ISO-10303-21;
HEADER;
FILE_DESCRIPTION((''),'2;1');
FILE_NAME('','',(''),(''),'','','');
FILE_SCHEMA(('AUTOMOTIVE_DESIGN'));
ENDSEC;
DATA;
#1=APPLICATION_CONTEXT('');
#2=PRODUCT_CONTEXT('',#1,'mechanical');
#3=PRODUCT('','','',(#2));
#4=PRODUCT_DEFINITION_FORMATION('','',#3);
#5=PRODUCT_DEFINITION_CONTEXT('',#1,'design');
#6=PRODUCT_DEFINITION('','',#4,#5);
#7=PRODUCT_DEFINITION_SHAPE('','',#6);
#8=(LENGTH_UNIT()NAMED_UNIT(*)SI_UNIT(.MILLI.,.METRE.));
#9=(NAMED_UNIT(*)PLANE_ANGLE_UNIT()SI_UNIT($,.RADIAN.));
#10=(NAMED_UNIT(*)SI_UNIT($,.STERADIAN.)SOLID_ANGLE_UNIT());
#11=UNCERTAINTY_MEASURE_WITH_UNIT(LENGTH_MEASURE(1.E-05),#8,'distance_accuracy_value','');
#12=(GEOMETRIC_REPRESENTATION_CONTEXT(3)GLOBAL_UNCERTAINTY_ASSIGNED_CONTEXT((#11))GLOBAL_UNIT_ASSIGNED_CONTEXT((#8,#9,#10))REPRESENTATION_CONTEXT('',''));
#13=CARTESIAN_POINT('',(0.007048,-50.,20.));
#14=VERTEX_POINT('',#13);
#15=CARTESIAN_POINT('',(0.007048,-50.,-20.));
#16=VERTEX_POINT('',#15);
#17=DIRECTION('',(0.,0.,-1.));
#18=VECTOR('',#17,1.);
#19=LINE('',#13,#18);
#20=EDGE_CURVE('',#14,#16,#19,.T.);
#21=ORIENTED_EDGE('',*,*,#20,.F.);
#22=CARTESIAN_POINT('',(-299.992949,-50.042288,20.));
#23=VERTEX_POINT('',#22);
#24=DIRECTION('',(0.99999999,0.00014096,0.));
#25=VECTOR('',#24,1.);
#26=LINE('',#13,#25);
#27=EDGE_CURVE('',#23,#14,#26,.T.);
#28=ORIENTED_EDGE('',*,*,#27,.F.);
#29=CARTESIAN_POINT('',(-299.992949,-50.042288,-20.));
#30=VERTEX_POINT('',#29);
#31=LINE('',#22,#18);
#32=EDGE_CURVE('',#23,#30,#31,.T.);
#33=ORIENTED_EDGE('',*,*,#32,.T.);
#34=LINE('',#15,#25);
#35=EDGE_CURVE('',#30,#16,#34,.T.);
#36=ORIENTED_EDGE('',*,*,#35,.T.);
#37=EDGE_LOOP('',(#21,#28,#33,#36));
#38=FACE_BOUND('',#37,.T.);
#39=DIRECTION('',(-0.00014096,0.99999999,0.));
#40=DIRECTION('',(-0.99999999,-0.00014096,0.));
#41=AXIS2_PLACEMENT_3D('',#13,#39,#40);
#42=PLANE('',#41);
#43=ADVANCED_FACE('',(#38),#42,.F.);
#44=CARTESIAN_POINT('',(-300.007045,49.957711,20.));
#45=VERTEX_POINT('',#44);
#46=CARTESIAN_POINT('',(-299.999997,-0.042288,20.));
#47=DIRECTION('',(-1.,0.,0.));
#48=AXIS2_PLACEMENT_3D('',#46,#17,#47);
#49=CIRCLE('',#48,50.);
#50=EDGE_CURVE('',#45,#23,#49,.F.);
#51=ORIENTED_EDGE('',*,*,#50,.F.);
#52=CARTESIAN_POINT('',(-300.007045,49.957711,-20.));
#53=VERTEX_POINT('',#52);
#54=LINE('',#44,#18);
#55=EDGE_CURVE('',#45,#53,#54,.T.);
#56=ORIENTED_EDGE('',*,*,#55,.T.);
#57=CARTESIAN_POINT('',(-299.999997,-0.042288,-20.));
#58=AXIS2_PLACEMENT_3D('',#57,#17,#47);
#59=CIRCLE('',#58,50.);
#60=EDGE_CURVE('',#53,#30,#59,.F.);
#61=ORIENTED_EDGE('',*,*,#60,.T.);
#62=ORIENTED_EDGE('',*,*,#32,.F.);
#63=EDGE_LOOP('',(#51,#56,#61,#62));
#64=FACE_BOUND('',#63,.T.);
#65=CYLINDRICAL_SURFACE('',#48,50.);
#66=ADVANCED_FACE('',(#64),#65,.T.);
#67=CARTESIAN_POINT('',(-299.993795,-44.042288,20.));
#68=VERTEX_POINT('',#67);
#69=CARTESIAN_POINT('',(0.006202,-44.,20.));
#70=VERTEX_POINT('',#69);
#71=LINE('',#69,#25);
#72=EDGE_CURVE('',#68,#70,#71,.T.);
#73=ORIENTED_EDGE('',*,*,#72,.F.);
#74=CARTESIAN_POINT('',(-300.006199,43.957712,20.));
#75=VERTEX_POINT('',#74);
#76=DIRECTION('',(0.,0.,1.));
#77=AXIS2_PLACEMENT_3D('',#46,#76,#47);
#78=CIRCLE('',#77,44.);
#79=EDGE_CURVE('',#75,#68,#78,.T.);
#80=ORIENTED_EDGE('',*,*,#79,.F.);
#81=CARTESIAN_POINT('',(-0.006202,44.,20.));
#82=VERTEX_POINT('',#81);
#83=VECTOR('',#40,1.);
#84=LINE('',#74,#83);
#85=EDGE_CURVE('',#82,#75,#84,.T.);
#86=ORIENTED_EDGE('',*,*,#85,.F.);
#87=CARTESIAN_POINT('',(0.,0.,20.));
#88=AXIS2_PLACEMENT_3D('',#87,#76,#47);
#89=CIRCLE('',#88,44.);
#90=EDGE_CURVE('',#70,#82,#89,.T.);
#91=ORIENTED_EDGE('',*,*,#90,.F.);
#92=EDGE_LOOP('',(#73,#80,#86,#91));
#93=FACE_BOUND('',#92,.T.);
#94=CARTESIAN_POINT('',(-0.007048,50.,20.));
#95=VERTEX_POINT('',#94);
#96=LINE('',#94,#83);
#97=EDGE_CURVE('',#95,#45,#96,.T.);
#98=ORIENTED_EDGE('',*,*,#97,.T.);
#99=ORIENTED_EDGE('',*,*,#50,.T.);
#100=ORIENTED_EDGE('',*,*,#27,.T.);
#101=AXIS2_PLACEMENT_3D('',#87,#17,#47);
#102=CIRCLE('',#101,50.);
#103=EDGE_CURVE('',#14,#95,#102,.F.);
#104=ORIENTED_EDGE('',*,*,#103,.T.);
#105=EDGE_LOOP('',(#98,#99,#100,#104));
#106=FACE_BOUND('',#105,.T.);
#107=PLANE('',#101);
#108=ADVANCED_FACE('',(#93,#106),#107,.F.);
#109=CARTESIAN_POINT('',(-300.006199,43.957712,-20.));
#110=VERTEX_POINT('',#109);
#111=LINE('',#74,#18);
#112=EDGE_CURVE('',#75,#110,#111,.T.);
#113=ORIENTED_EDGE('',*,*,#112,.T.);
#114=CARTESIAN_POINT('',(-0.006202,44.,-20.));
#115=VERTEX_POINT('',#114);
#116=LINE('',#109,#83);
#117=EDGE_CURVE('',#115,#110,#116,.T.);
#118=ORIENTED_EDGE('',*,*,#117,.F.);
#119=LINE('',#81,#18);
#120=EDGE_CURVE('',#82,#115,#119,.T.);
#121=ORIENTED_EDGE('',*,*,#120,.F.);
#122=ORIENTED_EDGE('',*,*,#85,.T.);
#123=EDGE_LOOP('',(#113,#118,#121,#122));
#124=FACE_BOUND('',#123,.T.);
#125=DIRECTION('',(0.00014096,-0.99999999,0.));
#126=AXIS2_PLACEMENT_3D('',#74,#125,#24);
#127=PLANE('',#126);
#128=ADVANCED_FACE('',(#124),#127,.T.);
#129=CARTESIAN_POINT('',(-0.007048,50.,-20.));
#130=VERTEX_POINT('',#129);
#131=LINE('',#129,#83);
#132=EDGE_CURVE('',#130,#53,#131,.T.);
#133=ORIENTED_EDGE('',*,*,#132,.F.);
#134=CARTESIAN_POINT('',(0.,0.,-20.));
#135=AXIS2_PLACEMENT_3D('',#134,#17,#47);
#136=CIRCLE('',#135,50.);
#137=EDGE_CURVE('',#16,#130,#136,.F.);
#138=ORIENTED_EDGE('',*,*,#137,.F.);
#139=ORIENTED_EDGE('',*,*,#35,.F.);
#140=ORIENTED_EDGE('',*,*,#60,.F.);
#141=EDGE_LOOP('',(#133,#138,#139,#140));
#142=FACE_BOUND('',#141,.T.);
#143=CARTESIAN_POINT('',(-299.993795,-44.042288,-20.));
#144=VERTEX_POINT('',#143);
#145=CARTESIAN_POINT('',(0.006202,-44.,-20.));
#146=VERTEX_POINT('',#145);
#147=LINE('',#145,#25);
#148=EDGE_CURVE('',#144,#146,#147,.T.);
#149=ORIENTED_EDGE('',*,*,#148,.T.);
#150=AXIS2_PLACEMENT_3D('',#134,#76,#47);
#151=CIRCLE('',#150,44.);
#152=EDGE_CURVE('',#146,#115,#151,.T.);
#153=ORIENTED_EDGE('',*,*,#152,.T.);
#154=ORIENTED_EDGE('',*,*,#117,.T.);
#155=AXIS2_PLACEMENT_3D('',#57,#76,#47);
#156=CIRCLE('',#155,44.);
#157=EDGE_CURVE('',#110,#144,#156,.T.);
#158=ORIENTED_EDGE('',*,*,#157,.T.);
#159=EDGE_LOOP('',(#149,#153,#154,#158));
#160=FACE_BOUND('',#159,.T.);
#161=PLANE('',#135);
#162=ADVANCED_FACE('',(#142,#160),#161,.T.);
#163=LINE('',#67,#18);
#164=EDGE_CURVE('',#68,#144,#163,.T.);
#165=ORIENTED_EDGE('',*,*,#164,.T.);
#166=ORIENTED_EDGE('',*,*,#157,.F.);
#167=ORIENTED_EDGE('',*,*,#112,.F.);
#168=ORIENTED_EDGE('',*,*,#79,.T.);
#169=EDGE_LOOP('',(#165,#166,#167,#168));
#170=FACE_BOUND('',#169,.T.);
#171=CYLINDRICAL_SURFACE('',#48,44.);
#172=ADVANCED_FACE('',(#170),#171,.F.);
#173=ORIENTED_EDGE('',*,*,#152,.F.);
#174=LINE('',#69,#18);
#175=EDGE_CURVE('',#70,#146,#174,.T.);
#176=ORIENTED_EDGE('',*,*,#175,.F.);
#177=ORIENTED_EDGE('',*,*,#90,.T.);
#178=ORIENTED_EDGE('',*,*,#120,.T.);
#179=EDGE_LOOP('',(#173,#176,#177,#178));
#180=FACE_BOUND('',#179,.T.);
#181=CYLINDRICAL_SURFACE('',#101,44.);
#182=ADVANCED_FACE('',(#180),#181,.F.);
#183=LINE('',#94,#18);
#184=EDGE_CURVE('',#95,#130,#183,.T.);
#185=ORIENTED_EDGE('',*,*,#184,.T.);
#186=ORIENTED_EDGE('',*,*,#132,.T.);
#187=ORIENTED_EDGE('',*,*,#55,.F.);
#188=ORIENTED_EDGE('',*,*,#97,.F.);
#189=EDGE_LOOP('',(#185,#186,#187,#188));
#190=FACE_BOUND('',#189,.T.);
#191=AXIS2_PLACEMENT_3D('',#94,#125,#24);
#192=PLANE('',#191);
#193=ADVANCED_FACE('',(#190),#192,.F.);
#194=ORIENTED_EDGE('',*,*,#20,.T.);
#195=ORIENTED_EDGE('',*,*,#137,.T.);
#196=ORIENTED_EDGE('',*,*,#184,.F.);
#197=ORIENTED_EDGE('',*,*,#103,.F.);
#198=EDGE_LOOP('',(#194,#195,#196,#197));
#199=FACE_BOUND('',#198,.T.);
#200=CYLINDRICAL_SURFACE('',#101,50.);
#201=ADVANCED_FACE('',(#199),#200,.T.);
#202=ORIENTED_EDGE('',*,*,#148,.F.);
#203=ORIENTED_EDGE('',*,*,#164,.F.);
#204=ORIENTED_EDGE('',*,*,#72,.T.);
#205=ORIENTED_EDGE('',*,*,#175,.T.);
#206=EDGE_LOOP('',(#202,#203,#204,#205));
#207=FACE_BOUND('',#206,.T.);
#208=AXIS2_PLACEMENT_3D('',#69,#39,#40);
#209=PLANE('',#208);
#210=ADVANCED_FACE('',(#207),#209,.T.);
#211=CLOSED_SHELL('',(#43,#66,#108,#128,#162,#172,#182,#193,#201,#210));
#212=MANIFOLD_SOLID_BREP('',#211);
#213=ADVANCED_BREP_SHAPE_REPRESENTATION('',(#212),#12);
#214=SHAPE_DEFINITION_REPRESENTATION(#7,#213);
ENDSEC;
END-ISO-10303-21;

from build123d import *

# Parameters (mm, degrees)
EXTRUDE_THIN1_DEPTH = 20


with BuildPart() as part:
    # Sketch2 → Extrude-Thin1 (new, symmetric)
    with BuildSketch(Plane.XY):
        with BuildLine():
            Line((-300.007045027, 49.957711456), (-0.007048008, 49.999999503))
            ThreePointArc((-0.007048008, 49.999999503), (49.999999503, 0.007048008), (0.007048008, -49.999999503))
            Line((0.007048008, -49.999999503), (-299.992949012, -50.04228755))
            ThreePointArc((-299.992949012, -50.04228755), (-349.999996523, -0.049336055), (-300.007045027, 49.957711456))
        make_face()
        with BuildLine():
            Line((-300.006199266, 43.957711516), (-0.006202247, 43.999999563))
            ThreePointArc((-0.006202247, 43.999999563), (43.999999563, 0.006202247), (0.006202247, -43.999999563))
            Line((0.006202247, -43.999999563), (-299.993794773, -44.04228761))
            ThreePointArc((-299.993794773, -44.04228761), (-343.999996582, -0.048490294), (-300.006199266, 43.957711516))
        make_face(mode=Mode.SUBTRACT)
    extrude(amount=EXTRUDE_THIN1_DEPTH, both=True)


solid = part.part
